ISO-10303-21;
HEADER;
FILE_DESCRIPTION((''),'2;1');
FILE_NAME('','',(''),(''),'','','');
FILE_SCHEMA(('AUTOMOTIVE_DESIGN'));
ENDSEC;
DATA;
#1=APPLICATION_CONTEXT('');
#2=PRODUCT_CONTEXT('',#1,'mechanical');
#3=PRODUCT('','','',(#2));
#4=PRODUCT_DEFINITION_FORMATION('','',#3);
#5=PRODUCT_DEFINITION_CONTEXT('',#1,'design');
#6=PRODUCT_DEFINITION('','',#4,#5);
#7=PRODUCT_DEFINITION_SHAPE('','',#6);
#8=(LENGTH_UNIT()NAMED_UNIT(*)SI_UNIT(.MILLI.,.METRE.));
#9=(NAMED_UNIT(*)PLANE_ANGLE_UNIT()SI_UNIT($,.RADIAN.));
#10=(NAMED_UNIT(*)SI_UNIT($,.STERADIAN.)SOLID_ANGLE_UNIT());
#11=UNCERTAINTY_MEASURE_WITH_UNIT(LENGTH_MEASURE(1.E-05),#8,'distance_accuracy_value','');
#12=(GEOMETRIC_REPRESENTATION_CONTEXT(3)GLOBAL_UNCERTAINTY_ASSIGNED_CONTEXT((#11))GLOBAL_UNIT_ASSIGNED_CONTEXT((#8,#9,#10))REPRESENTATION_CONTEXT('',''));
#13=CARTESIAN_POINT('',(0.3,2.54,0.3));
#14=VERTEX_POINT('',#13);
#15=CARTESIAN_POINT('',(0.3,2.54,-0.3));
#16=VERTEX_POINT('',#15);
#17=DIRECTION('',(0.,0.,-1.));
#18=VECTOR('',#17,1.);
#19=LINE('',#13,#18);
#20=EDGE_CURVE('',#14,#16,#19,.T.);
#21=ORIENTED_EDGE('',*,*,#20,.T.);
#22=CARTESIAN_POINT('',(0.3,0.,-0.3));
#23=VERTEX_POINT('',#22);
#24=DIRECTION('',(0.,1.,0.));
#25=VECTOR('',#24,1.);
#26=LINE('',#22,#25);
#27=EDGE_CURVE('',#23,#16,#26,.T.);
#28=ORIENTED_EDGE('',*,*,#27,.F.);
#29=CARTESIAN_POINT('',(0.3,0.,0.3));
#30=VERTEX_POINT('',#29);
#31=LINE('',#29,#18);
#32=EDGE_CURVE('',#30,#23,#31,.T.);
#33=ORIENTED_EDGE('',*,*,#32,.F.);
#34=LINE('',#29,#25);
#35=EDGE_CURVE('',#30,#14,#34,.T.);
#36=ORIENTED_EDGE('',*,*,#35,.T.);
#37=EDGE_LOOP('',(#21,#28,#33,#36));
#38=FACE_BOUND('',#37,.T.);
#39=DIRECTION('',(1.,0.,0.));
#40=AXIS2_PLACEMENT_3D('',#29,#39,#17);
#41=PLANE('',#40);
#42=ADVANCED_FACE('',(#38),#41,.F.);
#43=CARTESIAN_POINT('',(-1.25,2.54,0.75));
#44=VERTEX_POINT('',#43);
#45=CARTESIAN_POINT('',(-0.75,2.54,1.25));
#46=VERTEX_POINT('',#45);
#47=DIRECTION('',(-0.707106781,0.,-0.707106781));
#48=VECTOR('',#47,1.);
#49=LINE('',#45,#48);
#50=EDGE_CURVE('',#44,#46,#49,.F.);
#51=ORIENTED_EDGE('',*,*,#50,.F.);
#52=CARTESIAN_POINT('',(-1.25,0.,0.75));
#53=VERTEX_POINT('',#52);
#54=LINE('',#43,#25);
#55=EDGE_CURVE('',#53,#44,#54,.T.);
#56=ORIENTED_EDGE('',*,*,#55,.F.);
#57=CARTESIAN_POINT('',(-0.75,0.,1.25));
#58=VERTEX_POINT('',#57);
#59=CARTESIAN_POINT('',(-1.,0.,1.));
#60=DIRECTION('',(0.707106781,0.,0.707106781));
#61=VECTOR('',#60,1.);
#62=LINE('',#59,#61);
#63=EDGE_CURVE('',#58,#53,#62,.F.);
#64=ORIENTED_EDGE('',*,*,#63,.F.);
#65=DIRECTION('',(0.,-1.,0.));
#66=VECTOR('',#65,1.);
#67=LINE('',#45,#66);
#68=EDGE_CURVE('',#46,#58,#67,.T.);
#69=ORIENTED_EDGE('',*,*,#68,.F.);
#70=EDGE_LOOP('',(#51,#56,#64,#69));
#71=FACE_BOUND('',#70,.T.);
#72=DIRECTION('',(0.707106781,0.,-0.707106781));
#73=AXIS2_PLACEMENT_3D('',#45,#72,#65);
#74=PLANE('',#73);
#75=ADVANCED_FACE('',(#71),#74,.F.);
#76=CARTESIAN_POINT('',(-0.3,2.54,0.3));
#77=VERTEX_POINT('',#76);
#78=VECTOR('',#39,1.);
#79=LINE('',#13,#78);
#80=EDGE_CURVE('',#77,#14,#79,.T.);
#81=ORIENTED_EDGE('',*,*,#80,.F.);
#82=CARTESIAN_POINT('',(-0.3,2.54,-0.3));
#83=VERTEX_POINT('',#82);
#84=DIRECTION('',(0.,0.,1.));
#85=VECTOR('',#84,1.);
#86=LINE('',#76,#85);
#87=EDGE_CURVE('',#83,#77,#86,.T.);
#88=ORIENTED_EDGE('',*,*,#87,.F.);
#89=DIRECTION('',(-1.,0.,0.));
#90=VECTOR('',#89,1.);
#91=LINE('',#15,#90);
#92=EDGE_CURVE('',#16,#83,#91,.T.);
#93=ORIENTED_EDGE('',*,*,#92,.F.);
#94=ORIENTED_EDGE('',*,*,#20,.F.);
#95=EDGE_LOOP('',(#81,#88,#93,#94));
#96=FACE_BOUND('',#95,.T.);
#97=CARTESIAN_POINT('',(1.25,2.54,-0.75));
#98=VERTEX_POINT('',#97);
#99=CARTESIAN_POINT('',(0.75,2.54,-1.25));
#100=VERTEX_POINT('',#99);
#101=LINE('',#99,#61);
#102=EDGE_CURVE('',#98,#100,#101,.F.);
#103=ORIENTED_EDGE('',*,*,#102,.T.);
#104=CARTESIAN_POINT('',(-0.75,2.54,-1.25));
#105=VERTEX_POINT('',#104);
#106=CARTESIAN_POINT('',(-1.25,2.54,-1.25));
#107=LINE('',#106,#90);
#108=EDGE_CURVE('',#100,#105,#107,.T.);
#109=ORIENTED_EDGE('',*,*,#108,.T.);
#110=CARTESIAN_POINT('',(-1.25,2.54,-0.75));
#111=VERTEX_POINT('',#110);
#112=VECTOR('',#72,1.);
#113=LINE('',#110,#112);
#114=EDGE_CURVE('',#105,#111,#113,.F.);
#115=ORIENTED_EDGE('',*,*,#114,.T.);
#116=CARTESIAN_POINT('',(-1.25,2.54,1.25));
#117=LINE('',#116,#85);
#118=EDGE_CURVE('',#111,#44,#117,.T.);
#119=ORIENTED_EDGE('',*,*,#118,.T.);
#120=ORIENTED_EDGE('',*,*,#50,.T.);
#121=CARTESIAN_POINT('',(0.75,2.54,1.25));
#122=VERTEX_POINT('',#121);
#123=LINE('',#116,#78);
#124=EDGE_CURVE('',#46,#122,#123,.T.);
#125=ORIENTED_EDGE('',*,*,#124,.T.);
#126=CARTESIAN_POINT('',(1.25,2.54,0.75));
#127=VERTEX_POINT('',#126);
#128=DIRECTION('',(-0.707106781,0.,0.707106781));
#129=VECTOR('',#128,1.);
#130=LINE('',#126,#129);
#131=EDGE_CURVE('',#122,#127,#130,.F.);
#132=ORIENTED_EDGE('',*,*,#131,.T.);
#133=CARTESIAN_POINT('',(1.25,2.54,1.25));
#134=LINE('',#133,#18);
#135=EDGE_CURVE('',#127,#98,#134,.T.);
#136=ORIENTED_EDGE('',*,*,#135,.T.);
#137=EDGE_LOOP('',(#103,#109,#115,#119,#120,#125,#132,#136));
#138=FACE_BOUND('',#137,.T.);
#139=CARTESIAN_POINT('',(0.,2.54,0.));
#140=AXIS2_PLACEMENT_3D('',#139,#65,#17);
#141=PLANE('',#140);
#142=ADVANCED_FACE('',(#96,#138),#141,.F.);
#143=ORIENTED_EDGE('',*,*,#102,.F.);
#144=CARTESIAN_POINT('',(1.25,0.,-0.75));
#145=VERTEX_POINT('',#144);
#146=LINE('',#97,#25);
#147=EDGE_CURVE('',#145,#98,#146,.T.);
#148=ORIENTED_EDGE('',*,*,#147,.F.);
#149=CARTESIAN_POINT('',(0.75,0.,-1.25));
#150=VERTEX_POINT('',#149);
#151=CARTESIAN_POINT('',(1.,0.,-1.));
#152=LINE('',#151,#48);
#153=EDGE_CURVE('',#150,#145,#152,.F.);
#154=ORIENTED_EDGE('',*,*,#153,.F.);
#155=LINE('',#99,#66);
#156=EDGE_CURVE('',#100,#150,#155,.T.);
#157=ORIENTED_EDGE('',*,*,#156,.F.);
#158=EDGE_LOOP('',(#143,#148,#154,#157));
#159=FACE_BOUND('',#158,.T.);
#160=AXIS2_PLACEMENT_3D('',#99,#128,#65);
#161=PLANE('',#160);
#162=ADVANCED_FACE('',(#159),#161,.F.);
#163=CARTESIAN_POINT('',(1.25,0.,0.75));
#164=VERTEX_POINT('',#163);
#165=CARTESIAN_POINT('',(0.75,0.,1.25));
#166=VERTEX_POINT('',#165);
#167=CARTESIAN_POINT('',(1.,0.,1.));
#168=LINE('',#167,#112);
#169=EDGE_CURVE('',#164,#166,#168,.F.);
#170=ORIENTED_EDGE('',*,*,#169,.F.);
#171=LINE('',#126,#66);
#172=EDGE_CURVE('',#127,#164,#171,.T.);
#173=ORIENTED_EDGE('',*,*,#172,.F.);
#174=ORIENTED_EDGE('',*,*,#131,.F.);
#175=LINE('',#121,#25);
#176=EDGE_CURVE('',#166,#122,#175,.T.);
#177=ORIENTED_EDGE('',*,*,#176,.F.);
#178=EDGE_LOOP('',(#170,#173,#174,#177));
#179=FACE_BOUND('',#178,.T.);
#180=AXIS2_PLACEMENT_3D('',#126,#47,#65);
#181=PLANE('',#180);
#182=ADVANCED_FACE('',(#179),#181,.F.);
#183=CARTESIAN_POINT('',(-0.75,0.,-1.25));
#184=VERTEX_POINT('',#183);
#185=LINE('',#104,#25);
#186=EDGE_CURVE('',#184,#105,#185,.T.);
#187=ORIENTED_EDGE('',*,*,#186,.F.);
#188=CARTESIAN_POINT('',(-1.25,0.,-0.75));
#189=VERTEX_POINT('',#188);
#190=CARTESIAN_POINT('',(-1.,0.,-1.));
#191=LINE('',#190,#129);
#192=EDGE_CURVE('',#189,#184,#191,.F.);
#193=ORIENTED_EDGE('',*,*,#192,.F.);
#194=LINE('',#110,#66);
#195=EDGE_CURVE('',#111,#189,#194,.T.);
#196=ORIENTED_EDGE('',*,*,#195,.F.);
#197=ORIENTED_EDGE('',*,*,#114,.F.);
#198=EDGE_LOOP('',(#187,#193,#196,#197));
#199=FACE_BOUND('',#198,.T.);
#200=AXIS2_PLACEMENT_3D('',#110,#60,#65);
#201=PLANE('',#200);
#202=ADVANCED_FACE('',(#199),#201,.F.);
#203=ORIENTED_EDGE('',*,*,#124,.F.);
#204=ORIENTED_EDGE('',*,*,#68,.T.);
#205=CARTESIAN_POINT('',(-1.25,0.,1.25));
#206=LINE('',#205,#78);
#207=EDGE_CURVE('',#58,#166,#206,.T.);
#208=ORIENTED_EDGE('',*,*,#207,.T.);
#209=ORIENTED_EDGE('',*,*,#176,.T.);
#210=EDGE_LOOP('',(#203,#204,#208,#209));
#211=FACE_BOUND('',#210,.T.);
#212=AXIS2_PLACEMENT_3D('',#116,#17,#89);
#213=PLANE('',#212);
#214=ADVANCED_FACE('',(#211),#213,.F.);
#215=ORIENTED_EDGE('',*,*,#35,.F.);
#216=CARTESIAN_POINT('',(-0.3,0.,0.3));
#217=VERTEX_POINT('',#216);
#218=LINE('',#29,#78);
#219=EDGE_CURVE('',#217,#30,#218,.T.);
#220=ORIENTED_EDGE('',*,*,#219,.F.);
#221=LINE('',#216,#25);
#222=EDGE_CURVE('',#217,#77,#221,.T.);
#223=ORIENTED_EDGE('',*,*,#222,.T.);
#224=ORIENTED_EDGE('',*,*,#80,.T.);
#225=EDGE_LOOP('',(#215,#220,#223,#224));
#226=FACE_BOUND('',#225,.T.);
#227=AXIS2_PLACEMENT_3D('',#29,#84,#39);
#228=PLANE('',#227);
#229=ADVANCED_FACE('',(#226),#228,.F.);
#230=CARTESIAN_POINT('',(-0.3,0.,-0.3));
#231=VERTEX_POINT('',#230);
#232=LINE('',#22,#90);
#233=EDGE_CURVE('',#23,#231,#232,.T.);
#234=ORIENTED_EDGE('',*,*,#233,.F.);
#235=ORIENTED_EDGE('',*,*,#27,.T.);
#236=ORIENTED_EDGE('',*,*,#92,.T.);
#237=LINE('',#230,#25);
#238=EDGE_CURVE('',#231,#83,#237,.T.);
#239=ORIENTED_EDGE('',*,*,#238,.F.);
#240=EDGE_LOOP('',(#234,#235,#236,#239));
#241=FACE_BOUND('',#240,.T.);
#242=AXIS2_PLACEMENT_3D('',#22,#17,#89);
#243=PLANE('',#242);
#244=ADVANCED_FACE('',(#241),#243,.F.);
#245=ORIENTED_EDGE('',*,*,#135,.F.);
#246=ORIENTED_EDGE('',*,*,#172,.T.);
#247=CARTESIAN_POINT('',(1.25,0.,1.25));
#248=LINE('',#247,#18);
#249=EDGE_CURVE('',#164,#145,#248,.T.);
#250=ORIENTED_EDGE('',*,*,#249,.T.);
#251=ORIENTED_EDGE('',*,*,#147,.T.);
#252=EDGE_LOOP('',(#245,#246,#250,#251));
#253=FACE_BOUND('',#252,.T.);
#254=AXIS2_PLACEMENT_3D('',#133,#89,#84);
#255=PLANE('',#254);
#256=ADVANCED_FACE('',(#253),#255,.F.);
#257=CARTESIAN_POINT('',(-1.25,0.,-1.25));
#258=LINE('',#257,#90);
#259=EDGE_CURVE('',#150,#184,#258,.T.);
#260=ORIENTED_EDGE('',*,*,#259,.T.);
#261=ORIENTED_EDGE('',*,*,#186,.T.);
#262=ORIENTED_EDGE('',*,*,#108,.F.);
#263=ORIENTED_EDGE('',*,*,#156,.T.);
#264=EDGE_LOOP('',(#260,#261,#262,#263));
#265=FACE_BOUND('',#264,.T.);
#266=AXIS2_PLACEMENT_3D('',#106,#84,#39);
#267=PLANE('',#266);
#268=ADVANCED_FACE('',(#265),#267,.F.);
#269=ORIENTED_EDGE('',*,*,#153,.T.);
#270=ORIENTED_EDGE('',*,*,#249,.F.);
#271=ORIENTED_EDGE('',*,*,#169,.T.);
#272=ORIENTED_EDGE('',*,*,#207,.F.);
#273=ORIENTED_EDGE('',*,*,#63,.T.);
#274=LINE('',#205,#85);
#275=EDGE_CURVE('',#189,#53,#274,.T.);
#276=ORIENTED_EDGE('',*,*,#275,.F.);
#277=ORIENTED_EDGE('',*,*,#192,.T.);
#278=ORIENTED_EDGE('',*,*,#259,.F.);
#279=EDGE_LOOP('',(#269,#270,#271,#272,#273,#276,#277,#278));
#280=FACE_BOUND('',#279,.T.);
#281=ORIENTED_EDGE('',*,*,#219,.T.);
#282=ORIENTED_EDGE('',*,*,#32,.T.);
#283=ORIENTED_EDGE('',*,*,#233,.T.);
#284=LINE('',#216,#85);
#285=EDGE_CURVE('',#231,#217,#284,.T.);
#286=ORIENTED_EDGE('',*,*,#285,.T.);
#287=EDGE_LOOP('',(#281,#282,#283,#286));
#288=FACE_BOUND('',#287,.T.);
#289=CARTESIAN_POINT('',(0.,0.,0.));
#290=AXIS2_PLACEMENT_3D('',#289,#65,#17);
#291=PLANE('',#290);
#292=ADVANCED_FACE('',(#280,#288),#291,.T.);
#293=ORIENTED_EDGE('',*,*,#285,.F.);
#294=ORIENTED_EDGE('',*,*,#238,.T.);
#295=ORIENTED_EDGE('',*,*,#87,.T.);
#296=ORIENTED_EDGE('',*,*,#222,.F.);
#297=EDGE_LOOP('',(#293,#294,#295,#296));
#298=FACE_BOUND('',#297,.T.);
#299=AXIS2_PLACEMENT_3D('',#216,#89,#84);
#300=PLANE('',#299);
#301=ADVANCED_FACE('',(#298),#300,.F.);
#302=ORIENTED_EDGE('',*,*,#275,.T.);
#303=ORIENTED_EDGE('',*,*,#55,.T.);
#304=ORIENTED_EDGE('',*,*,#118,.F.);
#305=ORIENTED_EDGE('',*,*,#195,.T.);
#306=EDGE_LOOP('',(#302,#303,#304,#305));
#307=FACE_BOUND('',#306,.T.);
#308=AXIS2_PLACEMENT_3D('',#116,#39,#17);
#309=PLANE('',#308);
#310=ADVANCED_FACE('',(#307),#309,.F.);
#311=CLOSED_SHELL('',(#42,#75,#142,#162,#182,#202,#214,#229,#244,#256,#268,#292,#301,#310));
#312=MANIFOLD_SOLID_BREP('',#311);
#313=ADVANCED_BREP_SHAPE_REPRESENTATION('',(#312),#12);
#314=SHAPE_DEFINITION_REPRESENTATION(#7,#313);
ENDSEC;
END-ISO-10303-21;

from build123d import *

# Parameters (mm, degrees)
SKETCH_1_W          = 2.5
SKETCH_1_H          = 2.5
EXTRUDE_1_DEPTH     = 2.54
CHAMFER_1_SIZE      = 0.5
SKETCH_2_W          = 0.6
SKETCH_2_H          = 0.6
CUT_EXTRUDE_1_DEPTH = 4.094608214


with BuildPart() as part:
    # 스케치1 → 보스-돌출1 (new body)
    with BuildSketch(Plane(origin=(0, 0, 0), x_dir=(1, 0, 0), z_dir=(0, 1, 0))):
        Rectangle(SKETCH_1_W, SKETCH_1_H)
    extrude(amount=EXTRUDE_1_DEPTH)

    # 모따기1
    chamfer_1_edges = [part.edges().sort_by_distance(p)[0] for p in [
        (1.25, 1.27, 1.25),
        (-1.25, 1.27, 1.25),
        (-1.25, 1.27, -1.25),
        (1.25, 1.27, -1.25),
    ]]
    chamfer(chamfer_1_edges, length=CHAMFER_1_SIZE)

    # 스케치2 → 컷-돌출1 (cut, through all)
    with BuildSketch(Plane(origin=(0, 2.54, 0), x_dir=(1, 0, 0), z_dir=(0, 1, 0))):
        Rectangle(SKETCH_2_W, SKETCH_2_H)
    extrude(amount=-CUT_EXTRUDE_1_DEPTH, mode=Mode.SUBTRACT)


solid = part.part
